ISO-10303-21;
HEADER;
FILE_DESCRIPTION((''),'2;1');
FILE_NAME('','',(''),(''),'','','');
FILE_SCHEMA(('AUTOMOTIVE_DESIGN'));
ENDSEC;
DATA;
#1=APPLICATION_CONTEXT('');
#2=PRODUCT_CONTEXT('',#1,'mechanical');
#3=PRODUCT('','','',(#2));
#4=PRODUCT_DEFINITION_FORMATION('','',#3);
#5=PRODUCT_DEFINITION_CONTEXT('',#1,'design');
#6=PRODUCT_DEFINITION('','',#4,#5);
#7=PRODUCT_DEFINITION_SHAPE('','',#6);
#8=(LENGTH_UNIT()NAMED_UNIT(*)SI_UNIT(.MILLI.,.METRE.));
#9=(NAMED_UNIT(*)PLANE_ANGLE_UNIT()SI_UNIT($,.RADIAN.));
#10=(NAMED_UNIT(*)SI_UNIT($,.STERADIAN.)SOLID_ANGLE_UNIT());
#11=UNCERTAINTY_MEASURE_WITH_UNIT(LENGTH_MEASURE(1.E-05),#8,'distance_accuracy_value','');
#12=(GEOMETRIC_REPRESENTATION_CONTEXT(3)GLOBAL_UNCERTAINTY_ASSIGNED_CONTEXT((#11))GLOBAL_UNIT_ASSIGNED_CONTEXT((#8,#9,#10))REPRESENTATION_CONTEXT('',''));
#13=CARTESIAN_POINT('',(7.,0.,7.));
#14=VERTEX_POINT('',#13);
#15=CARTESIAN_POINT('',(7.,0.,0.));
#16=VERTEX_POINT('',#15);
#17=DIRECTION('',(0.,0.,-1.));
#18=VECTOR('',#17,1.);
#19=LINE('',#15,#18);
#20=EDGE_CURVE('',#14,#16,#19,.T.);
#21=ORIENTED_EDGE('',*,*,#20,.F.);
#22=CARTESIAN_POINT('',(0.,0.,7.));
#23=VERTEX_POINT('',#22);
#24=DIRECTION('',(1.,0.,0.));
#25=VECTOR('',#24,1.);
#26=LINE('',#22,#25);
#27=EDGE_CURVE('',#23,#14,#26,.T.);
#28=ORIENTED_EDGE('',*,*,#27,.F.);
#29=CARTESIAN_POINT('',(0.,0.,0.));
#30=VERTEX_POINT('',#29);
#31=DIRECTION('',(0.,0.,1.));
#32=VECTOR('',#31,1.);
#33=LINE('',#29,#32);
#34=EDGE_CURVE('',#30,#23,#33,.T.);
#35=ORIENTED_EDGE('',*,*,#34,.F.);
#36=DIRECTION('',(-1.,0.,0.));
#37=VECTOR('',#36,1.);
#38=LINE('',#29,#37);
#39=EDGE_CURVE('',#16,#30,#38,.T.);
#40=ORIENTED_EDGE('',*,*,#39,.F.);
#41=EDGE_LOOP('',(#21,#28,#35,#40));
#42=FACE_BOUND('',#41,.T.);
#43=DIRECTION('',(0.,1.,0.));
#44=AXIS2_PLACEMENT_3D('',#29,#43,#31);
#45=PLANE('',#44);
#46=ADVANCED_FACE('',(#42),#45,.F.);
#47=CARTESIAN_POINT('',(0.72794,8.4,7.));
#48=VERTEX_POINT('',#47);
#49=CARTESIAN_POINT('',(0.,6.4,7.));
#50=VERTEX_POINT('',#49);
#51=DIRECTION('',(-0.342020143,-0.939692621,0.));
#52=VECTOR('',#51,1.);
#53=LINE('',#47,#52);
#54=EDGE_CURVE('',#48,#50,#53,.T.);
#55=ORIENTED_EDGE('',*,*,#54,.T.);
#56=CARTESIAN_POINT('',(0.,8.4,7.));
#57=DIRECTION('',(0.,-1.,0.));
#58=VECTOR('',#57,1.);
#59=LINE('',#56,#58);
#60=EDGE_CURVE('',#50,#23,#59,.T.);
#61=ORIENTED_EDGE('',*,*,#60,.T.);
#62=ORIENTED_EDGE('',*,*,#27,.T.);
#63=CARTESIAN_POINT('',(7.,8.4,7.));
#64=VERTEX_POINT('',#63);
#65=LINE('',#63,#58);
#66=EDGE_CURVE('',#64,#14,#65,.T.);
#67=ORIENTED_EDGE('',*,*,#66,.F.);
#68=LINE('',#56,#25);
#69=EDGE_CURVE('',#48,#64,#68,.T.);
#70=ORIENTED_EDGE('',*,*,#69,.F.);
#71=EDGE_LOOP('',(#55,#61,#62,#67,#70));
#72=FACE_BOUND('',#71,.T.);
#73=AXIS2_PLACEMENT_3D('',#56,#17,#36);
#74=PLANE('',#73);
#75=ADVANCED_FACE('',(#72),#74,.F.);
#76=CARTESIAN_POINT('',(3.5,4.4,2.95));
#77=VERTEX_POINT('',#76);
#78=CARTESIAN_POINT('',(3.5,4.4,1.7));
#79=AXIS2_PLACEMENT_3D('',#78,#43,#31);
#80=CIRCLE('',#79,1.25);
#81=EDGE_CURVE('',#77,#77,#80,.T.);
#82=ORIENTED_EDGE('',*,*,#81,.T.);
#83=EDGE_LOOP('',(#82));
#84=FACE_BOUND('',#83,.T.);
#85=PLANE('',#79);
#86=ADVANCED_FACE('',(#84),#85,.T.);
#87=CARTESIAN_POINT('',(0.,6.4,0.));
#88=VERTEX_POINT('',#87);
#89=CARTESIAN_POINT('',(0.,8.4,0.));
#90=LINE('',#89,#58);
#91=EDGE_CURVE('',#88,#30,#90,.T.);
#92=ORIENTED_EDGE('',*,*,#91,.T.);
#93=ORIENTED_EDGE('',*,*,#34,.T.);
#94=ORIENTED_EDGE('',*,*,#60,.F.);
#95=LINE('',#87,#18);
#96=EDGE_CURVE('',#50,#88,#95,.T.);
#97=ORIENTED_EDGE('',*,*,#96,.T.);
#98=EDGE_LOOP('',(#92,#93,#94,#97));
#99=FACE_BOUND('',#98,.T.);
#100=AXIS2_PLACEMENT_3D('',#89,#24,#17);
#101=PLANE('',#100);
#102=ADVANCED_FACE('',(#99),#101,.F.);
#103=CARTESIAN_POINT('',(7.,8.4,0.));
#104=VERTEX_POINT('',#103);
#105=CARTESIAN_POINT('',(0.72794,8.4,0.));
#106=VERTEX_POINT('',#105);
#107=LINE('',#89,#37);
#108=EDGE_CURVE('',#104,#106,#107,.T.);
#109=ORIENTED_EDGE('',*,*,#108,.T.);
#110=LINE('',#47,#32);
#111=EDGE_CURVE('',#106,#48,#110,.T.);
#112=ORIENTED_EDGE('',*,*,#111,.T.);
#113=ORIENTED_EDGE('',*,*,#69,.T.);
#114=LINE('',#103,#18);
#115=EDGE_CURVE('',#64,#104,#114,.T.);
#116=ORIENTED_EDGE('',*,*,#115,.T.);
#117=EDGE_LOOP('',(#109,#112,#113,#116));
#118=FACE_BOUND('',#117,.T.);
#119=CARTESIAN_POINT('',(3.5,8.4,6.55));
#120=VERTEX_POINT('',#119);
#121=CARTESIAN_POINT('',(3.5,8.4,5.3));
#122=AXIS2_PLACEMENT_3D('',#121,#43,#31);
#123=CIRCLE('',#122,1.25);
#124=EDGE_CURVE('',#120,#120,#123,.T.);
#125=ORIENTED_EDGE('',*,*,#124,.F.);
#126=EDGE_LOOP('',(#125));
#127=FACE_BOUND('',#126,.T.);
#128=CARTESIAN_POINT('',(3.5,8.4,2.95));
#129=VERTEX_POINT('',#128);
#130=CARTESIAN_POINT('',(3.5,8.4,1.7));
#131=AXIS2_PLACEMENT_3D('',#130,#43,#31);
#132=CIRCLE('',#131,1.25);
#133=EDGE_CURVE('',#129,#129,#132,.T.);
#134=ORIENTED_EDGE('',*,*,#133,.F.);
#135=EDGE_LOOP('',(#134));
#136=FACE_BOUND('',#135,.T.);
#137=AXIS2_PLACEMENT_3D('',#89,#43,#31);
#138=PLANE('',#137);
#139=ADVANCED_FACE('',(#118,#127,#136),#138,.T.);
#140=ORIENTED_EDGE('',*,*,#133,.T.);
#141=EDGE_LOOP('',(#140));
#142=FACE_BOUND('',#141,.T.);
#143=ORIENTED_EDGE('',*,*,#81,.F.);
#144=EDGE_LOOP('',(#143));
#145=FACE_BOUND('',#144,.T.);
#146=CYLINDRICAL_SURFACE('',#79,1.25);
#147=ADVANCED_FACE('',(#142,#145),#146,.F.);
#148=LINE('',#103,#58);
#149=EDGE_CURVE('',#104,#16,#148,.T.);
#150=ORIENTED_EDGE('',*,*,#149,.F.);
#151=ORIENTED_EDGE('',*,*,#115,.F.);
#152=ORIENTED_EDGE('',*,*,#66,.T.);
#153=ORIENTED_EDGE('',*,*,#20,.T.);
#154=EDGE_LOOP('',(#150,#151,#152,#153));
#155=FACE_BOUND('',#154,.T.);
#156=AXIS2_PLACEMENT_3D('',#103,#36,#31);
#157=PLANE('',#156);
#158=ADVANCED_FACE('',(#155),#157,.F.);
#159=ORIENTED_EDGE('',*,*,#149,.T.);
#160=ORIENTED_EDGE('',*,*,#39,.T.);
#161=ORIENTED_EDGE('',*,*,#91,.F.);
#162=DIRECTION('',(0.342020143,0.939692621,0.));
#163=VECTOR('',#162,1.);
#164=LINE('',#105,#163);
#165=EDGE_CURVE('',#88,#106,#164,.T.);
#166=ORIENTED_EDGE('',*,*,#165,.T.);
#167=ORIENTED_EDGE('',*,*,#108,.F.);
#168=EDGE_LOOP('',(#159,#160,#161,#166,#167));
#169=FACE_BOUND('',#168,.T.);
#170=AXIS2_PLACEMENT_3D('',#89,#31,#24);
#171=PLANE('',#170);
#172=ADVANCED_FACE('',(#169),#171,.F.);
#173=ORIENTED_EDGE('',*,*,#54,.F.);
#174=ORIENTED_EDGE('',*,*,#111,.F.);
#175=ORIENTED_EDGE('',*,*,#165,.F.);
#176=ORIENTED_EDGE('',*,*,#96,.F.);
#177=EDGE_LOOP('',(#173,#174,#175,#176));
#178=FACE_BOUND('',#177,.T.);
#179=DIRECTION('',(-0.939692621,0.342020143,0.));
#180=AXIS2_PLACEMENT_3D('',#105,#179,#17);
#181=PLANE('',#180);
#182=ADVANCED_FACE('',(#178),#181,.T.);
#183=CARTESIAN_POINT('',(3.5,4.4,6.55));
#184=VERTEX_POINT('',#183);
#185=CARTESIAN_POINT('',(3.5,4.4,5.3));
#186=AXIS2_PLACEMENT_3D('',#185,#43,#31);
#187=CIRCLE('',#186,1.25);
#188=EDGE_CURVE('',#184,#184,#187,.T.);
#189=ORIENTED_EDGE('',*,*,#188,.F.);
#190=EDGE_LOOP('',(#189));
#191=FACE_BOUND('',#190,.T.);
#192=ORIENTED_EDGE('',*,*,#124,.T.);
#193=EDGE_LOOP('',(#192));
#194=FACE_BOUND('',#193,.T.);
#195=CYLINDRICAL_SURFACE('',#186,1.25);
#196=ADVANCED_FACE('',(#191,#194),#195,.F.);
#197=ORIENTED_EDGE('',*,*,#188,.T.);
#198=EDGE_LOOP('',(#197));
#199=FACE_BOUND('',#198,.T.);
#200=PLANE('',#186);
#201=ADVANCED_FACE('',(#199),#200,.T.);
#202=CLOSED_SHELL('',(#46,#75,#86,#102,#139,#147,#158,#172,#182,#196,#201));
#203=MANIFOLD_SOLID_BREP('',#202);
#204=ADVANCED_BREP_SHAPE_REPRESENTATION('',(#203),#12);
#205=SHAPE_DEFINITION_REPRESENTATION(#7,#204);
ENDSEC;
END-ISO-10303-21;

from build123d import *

# Parameters (mm, degrees)
ESQUISSE1_W             = 7
ESQUISSE1_H             = 7
BOSS_EXTRU_1_DEPTH      = 8.4
CHANFREIN1_SIZE         = 2
CHANFREIN1_SIZE2        = 0.727940469
ESQUISSE2_R             = 1.25
ENL_V_MAT_EXTRU_1_DEPTH = 4


with BuildPart() as part:
    # Esquisse1 → Boss.-Extru.1 (new body)
    with BuildSketch(Plane(origin=(0, 0, 0), x_dir=(1, 0, 0), z_dir=(0, 1, 0))):
        with Locations((3.5, -3.5)):
            Rectangle(ESQUISSE1_W, ESQUISSE1_H)
    extrude(amount=BOSS_EXTRU_1_DEPTH)

    # Chanfrein1
    chanfrein1_edges = [part.edges().sort_by_distance(p)[0] for p in [
        (0, 8.4, 3.5),
    ]]
    chanfrein1_side = [part.faces().sort_by_distance(p)[0] for p in [
        (0, 4.2, 3.5),
    ]]
    chamfer(chanfrein1_edges, length=CHANFREIN1_SIZE, length2=CHANFREIN1_SIZE2, reference=chanfrein1_side[0])

    # Esquisse2 → Enlèv. mat.-Extru.1 (cut)
    with BuildSketch(Plane(origin=(0, 8.4, 0), x_dir=(1, 0, 0), z_dir=(0, 1, 0))):
        with Locations(Location((3.5, -1.7, 0), (0, 0, 270))):
            Circle(ESQUISSE2_R)
        with Locations(Location((3.5, -5.3, 0), (0, 0, 270))):
            Circle(ESQUISSE2_R)
    extrude(amount=-ENL_V_MAT_EXTRU_1_DEPTH, mode=Mode.SUBTRACT)


solid = part.part
